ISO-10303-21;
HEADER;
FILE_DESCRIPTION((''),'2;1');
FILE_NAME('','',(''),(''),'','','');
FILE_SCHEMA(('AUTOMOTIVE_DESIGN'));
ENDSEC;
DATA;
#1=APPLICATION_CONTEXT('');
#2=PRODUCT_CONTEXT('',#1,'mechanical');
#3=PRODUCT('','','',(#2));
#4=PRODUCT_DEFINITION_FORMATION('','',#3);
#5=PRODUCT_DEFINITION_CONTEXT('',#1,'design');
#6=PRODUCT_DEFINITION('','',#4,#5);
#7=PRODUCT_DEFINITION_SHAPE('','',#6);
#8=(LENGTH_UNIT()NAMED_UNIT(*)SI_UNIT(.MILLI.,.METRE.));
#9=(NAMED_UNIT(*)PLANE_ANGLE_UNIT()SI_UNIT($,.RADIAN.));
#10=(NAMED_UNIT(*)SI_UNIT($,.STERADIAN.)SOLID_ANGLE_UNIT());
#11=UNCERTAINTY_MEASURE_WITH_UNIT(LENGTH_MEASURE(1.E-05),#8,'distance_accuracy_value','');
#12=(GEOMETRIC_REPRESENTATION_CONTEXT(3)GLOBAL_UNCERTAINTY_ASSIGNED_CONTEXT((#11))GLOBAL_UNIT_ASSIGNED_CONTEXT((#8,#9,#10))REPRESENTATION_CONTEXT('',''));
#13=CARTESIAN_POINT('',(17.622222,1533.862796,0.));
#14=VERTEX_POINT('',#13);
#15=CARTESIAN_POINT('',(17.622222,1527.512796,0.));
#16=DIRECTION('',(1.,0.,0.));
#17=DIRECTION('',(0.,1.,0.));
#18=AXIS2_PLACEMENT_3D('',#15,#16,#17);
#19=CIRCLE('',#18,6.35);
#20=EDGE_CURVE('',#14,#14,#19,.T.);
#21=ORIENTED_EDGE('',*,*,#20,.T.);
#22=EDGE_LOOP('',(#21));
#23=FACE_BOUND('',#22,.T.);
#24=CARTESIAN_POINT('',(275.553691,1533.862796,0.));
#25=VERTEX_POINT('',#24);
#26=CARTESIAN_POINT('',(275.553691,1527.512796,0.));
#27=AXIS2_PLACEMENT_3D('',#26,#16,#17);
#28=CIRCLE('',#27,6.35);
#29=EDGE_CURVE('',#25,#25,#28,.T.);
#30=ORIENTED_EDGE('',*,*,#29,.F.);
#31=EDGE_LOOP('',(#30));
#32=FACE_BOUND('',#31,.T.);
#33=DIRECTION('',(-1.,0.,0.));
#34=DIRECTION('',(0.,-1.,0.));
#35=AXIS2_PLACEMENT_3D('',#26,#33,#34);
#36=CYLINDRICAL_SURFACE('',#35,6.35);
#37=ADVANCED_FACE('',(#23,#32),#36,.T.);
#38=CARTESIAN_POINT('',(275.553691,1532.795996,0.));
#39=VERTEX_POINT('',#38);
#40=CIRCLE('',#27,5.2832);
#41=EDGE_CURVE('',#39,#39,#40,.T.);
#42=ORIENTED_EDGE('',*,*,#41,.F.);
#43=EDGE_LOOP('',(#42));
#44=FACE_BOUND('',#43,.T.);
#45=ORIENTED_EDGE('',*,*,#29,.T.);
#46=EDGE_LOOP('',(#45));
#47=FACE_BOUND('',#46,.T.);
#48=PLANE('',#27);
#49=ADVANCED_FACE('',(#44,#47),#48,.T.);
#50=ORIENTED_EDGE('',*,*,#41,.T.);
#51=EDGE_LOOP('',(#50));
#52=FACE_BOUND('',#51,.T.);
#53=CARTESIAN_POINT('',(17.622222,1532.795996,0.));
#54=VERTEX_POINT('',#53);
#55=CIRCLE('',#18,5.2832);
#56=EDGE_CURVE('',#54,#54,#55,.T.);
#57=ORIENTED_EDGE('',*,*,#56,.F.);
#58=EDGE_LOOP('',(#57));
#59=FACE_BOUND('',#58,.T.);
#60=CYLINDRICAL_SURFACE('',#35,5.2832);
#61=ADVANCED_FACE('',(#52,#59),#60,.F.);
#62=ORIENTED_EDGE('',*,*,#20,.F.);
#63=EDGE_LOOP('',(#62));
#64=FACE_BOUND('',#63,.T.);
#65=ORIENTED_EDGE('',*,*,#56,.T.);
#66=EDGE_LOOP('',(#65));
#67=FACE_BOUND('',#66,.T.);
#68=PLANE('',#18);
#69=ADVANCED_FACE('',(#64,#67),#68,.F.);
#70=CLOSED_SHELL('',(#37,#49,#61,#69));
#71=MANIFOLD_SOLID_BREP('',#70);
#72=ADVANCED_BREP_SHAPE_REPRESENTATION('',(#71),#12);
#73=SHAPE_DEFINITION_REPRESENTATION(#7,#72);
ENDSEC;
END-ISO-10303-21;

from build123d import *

# Parameters (mm, degrees)
SKETCH11_R              = 6.35
SKETCH11_R_2            = 5.2832
PIPE_0_5_SCH_40_1_DEPTH = 257.93146979


with BuildPart() as part:
    # Sketch11 → Pipe 0.5 SCH 40(1) (new body)
    with BuildSketch(Plane(origin=(17.622221572, 1527.512796137, 0), x_dir=(0, 1, 0), z_dir=(1, 0, 0))):
        Circle(SKETCH11_R)
        Circle(SKETCH11_R_2, mode=Mode.SUBTRACT)
    extrude(amount=PIPE_0_5_SCH_40_1_DEPTH)


solid = part.part
